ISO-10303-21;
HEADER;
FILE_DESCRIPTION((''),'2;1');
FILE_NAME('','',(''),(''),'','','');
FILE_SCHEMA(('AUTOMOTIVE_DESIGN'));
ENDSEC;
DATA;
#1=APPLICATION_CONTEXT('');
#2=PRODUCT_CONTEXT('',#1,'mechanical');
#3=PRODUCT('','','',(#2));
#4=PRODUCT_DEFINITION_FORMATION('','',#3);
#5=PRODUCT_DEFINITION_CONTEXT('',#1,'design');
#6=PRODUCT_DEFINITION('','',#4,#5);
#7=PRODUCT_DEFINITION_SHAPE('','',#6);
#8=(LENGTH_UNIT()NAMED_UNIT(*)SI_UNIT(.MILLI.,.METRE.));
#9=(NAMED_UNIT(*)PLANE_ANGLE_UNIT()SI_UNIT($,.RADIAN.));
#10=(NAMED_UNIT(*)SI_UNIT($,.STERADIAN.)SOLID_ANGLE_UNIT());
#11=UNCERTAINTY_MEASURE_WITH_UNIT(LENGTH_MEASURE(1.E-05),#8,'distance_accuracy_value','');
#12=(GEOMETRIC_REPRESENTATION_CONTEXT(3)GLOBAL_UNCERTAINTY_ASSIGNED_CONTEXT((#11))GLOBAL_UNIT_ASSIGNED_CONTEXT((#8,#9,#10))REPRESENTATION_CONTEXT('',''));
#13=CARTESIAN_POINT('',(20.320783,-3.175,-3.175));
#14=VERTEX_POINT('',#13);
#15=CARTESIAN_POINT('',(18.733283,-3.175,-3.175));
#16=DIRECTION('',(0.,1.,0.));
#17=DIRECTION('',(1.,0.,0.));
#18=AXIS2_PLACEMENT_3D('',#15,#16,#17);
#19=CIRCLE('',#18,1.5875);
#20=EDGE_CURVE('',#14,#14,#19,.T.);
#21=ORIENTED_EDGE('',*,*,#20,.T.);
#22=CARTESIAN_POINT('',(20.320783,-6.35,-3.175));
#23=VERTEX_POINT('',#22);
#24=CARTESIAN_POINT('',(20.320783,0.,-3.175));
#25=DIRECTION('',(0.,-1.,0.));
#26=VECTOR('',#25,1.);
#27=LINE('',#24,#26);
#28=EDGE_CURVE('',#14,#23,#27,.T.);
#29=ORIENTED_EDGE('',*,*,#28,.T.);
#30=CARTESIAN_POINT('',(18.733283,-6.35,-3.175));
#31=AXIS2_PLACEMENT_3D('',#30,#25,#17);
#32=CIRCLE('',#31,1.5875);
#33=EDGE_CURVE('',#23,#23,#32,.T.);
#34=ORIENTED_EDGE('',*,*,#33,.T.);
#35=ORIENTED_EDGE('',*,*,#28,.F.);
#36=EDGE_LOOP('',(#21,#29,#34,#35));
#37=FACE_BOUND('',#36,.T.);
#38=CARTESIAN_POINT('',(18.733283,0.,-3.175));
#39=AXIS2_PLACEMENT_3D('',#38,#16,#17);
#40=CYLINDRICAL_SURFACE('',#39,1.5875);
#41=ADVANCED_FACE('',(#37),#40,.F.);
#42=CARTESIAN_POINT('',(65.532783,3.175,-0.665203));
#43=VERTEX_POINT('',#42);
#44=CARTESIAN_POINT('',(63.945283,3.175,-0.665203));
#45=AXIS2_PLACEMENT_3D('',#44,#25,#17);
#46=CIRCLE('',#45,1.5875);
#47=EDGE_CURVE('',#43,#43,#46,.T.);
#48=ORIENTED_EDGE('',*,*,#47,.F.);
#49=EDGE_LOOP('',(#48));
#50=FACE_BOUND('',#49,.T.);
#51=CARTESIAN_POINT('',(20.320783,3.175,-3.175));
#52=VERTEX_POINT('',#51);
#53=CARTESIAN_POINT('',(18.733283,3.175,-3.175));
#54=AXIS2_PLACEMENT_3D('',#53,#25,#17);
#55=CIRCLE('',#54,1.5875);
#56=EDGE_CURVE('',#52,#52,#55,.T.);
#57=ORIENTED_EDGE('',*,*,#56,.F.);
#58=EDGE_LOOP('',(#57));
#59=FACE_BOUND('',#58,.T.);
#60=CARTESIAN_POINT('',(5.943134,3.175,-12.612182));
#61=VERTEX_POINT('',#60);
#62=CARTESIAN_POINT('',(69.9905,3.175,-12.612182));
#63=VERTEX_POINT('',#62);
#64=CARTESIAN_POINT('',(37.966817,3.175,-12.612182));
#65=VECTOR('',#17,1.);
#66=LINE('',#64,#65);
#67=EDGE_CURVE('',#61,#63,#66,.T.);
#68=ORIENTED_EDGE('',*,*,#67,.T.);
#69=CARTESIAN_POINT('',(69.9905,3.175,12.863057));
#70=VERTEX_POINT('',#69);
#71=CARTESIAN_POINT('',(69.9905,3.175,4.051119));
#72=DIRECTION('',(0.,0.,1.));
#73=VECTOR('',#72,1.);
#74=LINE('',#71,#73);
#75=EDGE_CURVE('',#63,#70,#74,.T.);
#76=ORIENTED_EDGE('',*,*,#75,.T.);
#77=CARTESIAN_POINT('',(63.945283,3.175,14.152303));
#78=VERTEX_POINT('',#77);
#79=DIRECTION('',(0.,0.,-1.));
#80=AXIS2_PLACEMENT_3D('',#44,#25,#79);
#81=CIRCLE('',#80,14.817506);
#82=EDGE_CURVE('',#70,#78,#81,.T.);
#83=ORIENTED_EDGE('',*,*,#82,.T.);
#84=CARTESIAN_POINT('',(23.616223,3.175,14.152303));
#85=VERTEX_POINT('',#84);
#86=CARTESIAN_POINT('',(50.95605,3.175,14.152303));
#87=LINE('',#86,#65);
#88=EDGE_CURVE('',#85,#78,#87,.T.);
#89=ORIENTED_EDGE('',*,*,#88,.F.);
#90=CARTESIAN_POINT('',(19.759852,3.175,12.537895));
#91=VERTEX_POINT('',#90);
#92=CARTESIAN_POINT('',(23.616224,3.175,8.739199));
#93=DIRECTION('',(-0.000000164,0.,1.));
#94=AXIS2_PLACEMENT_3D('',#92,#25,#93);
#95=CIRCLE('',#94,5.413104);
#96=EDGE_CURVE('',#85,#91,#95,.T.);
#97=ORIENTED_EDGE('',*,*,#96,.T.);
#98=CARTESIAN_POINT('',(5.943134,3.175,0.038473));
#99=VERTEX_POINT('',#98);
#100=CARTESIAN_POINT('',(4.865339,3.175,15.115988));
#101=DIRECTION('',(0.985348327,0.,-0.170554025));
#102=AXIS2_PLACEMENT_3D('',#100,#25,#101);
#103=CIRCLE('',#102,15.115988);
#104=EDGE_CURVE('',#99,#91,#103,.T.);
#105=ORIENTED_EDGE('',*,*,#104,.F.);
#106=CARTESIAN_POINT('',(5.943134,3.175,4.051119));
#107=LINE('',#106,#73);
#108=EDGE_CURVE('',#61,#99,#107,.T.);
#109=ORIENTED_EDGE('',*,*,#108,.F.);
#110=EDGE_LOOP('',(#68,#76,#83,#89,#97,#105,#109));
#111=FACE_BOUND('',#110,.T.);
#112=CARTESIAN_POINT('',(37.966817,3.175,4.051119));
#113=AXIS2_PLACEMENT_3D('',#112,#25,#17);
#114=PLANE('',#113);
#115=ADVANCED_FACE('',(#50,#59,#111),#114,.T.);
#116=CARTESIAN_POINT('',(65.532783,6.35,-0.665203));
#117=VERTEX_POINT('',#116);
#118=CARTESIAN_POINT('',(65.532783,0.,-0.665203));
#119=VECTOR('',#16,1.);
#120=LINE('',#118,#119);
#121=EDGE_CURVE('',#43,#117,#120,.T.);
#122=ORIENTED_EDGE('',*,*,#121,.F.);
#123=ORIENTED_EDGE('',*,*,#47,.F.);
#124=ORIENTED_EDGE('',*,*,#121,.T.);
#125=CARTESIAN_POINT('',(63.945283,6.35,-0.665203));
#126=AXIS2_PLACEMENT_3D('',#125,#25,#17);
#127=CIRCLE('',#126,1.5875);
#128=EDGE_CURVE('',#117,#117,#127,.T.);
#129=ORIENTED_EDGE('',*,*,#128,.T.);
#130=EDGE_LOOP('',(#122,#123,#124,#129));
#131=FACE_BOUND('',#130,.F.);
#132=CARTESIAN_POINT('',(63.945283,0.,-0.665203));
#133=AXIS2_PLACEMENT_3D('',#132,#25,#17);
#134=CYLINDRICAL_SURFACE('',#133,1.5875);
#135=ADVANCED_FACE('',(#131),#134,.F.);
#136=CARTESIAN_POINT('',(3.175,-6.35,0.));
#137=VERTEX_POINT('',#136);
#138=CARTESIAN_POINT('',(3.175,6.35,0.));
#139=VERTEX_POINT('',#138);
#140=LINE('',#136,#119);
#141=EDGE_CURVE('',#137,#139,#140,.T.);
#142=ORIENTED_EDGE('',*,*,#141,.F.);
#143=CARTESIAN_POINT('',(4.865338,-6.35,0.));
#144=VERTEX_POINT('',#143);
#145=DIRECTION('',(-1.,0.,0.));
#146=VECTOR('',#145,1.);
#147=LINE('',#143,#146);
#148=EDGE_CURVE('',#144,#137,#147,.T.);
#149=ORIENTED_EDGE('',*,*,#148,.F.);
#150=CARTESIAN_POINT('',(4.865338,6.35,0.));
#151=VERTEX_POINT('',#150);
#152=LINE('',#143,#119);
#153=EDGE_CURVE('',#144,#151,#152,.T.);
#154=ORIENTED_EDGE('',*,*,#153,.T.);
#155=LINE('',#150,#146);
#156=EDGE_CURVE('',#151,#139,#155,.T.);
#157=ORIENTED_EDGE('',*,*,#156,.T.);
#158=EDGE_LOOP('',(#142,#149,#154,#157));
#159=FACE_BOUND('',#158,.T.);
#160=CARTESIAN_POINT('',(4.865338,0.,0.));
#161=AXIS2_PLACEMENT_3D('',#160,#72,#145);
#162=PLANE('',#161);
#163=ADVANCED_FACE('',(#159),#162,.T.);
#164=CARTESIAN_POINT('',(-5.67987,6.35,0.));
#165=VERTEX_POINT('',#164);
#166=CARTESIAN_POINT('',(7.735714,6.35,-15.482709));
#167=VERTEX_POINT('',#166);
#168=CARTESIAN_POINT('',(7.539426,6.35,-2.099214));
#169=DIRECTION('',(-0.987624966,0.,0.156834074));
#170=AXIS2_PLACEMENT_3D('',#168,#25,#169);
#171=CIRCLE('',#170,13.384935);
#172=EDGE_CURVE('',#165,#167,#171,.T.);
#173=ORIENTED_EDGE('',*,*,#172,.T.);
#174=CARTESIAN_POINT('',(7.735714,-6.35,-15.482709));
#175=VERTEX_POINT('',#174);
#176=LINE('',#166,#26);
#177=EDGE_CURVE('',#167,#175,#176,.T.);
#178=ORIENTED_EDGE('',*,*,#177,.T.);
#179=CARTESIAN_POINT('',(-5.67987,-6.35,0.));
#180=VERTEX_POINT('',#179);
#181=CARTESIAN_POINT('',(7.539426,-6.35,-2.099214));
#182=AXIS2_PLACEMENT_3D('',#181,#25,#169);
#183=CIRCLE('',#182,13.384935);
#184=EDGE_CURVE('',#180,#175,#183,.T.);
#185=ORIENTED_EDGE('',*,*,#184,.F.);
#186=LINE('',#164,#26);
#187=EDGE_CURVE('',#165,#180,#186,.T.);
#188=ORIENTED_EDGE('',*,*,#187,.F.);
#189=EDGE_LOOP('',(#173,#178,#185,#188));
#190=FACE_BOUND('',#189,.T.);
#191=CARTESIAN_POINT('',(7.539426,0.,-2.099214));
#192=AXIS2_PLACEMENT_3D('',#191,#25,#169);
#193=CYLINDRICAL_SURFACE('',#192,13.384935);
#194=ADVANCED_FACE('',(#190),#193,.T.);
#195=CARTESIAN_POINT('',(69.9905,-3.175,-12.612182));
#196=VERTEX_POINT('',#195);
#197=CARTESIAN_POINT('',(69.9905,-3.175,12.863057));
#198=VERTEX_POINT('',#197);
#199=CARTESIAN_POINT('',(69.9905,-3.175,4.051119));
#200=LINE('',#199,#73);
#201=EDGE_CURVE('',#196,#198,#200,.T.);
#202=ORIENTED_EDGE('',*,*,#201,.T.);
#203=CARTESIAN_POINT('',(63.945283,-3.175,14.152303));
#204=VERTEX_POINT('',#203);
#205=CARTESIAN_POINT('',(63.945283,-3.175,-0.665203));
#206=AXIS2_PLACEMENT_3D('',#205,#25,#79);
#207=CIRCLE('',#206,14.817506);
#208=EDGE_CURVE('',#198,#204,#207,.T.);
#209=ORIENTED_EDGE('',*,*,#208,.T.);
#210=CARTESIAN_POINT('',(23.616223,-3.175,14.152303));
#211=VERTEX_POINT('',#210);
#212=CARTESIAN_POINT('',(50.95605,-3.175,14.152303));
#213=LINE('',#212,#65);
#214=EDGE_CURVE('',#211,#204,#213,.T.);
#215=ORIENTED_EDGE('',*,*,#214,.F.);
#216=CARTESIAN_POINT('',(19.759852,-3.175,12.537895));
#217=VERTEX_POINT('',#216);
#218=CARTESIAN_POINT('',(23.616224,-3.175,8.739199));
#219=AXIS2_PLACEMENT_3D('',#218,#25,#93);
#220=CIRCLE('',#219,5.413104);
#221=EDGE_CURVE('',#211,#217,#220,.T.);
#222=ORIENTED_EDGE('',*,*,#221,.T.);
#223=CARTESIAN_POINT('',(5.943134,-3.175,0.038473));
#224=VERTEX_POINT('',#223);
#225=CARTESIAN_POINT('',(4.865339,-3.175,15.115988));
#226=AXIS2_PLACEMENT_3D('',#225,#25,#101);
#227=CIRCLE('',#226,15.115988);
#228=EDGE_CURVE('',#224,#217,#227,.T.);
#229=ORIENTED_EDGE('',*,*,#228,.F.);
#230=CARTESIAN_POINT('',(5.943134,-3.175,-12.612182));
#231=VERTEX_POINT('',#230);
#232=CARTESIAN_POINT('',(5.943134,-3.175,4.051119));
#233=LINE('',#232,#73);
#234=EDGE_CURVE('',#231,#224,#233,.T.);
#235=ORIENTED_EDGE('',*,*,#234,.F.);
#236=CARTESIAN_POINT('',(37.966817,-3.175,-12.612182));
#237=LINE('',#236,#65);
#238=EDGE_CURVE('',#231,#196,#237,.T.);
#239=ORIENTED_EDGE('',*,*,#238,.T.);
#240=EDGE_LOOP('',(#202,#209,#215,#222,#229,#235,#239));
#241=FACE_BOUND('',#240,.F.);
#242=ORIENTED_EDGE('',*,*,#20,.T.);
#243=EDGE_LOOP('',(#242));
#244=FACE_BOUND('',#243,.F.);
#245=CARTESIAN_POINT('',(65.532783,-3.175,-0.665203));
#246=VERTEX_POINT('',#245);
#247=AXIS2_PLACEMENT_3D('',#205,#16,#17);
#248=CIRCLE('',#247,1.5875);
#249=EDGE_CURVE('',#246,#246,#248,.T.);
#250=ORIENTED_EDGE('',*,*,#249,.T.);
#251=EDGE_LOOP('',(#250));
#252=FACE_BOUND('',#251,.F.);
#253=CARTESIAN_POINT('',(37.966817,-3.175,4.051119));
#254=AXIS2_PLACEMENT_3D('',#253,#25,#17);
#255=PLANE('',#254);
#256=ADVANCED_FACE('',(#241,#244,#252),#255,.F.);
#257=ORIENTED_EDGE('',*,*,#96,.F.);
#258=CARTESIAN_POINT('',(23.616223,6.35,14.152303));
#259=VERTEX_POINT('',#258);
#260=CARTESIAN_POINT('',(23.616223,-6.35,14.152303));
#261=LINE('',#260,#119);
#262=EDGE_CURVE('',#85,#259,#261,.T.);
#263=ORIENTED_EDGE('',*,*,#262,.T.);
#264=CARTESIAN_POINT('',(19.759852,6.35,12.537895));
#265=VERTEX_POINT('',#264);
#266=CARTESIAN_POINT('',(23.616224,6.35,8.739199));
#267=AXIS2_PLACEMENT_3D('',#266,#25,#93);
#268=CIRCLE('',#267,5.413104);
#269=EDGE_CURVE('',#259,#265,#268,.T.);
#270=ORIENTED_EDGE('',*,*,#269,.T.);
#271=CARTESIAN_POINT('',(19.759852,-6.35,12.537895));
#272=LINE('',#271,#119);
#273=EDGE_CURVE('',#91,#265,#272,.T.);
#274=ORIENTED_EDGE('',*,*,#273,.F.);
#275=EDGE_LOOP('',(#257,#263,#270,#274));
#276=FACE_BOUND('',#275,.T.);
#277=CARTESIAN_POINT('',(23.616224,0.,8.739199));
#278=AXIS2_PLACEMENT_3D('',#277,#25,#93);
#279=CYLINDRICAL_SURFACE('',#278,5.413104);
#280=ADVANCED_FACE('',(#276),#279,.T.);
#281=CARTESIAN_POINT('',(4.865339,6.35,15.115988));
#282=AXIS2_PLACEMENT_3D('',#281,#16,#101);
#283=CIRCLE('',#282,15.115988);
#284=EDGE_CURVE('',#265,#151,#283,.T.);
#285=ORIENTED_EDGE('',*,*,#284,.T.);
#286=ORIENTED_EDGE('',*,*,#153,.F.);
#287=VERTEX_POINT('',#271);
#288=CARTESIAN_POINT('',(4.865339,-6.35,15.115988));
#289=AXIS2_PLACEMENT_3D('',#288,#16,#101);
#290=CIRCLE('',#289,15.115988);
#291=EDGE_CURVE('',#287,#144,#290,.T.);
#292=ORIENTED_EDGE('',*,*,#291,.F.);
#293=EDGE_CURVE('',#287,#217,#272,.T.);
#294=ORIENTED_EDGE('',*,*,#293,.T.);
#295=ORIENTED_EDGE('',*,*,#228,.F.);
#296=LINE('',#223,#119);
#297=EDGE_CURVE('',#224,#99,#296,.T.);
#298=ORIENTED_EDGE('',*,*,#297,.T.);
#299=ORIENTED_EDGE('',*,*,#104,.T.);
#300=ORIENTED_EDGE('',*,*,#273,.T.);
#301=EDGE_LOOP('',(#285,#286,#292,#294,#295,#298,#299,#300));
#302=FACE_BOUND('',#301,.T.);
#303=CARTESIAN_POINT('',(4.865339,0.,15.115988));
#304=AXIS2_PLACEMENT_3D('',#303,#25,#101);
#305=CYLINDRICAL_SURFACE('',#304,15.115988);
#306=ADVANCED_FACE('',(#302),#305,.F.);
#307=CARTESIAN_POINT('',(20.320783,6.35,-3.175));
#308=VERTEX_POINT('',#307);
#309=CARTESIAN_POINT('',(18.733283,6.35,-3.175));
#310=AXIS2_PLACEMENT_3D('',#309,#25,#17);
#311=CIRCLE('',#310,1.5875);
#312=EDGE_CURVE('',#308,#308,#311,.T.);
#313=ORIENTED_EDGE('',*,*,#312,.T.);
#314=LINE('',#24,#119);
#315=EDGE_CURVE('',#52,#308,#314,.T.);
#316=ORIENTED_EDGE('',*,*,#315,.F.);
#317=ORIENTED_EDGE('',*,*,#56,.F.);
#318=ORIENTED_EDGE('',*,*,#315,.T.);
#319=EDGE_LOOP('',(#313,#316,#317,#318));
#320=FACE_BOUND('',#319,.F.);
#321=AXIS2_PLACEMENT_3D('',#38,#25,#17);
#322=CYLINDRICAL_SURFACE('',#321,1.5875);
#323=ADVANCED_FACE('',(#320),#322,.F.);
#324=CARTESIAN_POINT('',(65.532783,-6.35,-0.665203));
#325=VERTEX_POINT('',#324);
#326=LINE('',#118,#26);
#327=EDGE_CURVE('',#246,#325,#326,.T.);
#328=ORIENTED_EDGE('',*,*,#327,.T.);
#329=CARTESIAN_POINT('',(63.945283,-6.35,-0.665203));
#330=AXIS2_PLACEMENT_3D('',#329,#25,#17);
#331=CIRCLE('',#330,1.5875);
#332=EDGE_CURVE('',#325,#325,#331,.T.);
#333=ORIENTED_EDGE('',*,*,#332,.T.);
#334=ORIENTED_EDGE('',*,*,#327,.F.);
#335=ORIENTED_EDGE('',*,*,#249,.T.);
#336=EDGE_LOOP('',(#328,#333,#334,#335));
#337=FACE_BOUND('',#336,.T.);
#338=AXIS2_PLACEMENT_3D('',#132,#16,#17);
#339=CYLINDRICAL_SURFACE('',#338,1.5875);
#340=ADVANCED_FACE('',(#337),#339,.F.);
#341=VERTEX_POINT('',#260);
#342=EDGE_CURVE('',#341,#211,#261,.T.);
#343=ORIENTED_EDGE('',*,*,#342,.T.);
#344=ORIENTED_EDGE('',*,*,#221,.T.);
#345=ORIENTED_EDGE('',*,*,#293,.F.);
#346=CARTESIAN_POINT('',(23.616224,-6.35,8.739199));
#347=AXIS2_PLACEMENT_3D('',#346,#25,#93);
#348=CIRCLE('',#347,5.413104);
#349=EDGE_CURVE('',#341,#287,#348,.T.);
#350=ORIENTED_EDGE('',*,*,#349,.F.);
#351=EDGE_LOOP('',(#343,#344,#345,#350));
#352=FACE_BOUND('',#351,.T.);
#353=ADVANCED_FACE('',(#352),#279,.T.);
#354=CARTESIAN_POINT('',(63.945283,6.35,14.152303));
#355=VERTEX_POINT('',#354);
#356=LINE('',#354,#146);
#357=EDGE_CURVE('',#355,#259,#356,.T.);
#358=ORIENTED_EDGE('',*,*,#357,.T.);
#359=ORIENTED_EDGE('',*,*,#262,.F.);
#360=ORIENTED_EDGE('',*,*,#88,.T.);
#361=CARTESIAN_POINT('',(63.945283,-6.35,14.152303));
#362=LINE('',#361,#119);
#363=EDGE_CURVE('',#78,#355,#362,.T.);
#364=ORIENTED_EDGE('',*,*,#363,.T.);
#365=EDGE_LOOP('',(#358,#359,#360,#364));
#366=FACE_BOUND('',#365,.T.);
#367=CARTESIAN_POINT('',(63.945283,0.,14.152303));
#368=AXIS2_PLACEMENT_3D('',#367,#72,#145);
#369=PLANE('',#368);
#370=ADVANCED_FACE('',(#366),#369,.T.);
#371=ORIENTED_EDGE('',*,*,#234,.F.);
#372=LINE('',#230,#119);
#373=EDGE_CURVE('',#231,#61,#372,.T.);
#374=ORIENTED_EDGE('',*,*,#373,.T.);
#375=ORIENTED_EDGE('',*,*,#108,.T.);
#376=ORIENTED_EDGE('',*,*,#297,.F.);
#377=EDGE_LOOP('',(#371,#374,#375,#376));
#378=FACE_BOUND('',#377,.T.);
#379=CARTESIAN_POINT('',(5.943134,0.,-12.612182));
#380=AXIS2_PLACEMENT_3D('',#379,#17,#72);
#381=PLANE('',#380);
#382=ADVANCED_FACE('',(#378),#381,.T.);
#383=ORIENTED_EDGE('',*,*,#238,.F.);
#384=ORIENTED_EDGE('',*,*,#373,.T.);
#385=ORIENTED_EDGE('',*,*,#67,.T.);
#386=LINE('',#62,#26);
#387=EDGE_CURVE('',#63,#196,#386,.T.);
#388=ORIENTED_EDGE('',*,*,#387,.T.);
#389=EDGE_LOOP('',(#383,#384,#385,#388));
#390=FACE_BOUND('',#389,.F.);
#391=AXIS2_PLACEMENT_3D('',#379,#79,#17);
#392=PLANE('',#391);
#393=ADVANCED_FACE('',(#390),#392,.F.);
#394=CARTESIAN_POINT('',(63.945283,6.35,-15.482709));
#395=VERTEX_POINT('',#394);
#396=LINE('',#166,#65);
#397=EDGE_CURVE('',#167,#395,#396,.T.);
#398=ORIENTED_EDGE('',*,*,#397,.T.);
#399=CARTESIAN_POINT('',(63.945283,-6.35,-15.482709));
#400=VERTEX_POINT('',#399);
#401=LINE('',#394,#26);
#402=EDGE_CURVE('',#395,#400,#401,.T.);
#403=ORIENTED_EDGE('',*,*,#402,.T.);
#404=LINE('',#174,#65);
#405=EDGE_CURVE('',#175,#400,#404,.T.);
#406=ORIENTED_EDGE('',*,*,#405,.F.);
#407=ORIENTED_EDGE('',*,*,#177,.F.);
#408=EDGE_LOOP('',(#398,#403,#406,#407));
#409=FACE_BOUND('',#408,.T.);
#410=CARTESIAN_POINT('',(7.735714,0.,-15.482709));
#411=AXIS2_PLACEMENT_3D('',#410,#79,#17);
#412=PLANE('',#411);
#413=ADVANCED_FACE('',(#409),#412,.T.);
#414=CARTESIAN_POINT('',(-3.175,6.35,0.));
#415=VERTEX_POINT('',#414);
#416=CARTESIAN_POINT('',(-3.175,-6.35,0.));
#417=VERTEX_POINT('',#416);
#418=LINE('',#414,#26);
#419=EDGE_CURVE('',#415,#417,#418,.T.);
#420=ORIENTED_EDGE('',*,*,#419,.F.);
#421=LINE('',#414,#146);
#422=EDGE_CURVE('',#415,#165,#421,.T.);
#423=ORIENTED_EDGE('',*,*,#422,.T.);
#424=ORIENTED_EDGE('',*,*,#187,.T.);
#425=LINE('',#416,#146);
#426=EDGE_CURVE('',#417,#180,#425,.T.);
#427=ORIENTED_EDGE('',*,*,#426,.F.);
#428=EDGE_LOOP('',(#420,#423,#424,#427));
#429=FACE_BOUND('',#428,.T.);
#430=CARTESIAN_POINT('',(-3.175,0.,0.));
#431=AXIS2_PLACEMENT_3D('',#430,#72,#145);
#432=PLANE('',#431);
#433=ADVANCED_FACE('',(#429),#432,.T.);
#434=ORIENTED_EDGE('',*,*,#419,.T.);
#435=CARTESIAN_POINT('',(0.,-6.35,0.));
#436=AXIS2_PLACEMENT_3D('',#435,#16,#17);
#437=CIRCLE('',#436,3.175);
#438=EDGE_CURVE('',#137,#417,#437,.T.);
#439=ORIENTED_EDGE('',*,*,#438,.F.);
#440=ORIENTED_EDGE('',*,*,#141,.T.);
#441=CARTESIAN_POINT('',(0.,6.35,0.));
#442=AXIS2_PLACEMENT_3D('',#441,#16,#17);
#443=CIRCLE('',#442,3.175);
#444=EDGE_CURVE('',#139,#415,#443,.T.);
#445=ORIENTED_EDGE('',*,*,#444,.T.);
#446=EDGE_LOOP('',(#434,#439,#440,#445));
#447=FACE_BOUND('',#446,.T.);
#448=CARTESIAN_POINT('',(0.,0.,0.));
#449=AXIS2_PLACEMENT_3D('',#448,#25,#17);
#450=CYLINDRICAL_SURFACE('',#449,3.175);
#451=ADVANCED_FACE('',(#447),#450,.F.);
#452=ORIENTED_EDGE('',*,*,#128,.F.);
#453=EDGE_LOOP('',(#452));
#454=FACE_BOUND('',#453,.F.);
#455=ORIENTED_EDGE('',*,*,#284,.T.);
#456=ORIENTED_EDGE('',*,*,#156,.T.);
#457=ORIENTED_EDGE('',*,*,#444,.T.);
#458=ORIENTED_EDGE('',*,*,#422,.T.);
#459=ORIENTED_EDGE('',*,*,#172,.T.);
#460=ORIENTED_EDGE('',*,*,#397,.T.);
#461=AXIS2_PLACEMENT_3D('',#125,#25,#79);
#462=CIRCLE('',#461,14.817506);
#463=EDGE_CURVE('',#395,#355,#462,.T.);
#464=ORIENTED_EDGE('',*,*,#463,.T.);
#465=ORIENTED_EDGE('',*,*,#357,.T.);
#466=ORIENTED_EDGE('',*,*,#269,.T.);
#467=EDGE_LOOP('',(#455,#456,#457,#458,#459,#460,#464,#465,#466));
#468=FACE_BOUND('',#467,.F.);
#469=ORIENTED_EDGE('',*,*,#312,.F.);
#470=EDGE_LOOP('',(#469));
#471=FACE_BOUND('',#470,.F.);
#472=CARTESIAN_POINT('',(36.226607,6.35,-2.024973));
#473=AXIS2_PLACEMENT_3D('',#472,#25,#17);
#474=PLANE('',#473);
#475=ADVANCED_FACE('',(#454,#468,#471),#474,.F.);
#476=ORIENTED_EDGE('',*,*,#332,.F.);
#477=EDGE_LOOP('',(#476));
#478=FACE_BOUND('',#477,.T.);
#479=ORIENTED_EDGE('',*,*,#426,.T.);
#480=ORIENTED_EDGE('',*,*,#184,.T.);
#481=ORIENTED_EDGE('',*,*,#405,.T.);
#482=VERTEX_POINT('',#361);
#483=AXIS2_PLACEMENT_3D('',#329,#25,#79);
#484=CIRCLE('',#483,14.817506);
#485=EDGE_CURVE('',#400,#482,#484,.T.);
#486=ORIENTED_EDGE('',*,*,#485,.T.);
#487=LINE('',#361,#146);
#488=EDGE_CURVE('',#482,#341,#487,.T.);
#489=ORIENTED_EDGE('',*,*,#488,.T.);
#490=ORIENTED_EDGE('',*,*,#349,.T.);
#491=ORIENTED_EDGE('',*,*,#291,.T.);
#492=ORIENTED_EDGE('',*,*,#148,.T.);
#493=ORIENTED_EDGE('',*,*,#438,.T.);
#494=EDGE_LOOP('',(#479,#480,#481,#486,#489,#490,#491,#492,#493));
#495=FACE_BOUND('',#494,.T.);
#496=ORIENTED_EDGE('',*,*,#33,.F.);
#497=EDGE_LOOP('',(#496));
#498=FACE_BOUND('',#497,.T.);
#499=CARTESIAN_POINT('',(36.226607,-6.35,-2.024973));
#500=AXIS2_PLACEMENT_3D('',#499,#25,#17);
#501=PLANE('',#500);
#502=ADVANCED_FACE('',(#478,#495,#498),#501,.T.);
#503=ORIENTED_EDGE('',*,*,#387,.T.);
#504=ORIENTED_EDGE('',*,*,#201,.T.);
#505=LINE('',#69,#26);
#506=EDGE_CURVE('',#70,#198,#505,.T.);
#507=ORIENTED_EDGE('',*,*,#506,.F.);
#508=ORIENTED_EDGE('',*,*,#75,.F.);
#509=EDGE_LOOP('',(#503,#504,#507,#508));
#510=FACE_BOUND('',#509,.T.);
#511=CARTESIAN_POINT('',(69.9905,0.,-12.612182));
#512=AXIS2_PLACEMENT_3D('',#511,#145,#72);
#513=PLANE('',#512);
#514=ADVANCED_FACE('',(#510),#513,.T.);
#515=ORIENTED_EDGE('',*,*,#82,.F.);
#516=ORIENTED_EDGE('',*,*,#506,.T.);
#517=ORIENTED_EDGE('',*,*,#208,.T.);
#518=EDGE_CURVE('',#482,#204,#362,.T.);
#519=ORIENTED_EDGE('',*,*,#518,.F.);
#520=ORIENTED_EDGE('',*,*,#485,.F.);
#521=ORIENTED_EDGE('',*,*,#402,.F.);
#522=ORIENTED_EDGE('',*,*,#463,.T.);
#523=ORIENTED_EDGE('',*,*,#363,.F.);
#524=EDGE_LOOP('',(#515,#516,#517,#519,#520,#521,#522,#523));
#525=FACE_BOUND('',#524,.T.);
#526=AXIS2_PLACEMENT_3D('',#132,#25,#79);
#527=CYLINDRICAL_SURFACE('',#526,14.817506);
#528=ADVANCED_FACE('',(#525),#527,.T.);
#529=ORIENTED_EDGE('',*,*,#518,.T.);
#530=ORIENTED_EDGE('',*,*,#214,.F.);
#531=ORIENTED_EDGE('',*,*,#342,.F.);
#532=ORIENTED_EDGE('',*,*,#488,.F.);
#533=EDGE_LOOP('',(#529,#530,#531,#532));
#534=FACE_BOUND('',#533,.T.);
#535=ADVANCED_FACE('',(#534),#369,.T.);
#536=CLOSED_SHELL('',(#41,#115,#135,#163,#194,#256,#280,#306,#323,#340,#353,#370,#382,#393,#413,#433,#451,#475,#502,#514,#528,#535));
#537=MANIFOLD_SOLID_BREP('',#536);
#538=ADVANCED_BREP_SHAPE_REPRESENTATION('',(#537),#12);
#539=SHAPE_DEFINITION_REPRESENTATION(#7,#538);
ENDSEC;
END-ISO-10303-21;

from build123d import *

# Parameters (mm, degrees)
F0_R          = 1.5875
F1_DEPTH      = 6.35
F1_DEPTH_BACK = 6.35
F2_W          = 64.047367
F2_H          = 33.326601
F3_DEPTH      = 3.175
F3_DEPTH_BACK = 3.175


with BuildPart() as f1:
    # F0 (on Front) → F1 (new body, two sides)
    with BuildSketch(Plane.XZ) as f1_sk:
        with BuildLine():
            ThreePointArc((3.175, 0), (0, -3.175), (-3.175, 0))
            Line((-3.175, 0), (-5.67987, 0))
            ThreePointArc((-5.67987, 0), (-2.576317, -10.864385), (7.735714, -15.482709))
            Line((7.735714, -15.482709), (63.945283, -15.482709))
            ThreePointArc((63.945283, -15.482709), (78.762789, -0.665203), (63.945283, 14.152303))
            Line((63.945283, 14.152303), (23.616223, 14.152303))
            ThreePointArc((23.616223, 14.152303), (21.525894, 13.732416), (19.759852, 12.537895))
            ThreePointArc((19.759852, 12.537895), (14.599882, 3.551743), (4.865338, 0))
            Line((4.865338, 0), (3.175, 0))
        make_face()
        with Locations((18.733283, -3.175)):
            Circle(F0_R, mode=Mode.SUBTRACT)
        with Locations((63.945283, -0.665203)):
            Circle(F0_R, mode=Mode.SUBTRACT)
    extrude(amount=F1_DEPTH)
    extrude(f1_sk.sketch, amount=-F1_DEPTH_BACK)

    # F2 (on Front) → F3 (cut, two sides)
    with BuildSketch(Plane.XZ) as f3_sk:
        with Locations((37.966817, 4.051119)):
            Rectangle(F2_W, F2_H)
    extrude(amount=F3_DEPTH, mode=Mode.SUBTRACT)
    extrude(f3_sk.sketch, amount=-F3_DEPTH_BACK, mode=Mode.SUBTRACT)


solid = f1.part
